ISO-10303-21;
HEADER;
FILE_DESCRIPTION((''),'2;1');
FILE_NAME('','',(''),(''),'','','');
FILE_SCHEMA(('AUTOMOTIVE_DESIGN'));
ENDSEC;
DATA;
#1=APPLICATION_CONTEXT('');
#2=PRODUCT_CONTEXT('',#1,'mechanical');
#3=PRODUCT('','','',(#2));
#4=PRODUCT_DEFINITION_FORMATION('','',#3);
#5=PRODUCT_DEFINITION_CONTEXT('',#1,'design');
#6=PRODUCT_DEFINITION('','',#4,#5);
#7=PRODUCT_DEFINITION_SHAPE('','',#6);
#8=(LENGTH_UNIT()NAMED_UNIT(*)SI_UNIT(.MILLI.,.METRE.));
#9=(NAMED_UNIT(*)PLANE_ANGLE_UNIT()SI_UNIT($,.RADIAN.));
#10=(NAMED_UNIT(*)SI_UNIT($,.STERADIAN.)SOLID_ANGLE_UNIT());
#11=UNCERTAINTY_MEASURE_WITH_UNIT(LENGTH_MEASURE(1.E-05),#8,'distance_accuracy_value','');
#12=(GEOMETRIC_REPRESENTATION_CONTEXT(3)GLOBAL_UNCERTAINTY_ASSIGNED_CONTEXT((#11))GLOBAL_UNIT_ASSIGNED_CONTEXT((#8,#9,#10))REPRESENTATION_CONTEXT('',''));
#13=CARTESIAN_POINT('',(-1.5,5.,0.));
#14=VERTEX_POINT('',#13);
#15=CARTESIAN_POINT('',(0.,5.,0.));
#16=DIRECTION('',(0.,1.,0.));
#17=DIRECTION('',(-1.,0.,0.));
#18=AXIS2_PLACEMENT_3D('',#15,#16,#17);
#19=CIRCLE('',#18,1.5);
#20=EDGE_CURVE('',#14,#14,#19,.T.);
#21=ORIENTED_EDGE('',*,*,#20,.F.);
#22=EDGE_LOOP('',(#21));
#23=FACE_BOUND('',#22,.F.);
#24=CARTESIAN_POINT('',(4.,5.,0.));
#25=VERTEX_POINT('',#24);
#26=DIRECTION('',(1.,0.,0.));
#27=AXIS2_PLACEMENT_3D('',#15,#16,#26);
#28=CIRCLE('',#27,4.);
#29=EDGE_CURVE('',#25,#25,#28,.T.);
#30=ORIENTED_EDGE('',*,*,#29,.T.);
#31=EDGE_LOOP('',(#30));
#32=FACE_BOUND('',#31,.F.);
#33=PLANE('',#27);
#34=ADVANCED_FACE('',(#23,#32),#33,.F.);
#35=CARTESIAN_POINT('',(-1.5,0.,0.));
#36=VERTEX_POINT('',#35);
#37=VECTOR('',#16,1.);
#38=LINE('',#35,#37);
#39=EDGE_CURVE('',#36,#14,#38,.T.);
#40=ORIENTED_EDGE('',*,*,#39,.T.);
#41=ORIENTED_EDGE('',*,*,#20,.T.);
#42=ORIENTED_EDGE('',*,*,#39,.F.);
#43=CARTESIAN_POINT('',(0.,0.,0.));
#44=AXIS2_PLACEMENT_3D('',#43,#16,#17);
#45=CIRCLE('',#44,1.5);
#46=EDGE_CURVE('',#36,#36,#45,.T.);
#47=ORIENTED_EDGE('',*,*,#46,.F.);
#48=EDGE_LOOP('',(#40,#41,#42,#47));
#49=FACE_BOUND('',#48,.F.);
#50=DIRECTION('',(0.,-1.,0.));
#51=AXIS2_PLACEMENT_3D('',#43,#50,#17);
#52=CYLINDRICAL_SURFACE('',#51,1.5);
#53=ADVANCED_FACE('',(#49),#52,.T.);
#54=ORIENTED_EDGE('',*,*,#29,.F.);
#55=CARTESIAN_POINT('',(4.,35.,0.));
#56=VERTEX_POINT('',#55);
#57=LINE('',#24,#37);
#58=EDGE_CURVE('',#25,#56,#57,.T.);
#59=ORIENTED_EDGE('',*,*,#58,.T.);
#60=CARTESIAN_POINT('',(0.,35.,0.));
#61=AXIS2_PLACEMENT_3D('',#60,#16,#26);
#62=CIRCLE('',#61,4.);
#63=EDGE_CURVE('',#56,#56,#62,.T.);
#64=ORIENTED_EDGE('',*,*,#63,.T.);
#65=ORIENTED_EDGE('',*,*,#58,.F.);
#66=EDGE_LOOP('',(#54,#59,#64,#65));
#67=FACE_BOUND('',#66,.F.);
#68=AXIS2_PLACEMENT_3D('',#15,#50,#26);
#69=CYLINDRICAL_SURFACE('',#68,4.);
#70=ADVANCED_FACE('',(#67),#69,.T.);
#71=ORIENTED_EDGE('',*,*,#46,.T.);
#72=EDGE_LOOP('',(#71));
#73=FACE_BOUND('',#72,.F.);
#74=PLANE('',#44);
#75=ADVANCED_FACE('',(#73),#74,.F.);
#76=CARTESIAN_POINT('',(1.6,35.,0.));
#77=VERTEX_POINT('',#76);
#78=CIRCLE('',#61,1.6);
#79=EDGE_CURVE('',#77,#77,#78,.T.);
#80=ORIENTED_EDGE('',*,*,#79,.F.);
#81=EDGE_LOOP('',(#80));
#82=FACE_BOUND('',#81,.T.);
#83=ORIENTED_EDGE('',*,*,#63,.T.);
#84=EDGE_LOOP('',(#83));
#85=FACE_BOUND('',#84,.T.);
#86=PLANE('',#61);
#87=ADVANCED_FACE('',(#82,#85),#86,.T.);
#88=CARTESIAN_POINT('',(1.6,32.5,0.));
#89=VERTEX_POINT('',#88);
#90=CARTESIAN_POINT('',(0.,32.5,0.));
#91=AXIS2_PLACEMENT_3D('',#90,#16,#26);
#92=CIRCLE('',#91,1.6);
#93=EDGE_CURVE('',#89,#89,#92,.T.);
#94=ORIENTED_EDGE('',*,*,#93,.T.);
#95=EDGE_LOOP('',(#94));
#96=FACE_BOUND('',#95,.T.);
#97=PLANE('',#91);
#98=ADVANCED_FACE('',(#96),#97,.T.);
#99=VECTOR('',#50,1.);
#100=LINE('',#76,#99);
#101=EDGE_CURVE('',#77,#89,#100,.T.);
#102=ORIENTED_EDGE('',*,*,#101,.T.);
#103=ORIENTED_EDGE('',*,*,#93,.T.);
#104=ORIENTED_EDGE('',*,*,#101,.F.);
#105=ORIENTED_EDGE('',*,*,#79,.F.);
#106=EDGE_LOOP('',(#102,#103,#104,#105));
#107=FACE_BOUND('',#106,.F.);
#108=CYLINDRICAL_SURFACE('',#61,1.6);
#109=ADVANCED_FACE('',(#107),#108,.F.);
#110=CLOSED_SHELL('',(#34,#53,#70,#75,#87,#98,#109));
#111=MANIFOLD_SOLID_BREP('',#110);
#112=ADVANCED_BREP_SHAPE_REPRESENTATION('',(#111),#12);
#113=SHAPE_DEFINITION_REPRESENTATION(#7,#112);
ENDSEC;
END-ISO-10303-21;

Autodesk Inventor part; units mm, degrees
ref_plane "YZ Plane" through (0, 0, 0) normal (1, 0, 0) x (0, 1, 0)
ref_plane "XZ Plane" through (0, 0, 0) normal (0, 1, 0) x (-1, 0, 0)
ref_plane "XY Plane" through (0, 0, 0) normal (0, 0, 1) x (1, 0, 0)
sketch "Sketch1" plane through (0, 0, 0) normal (0, 1, 0) x (-1, 0, 0)
  circle A0 centre (0, 0) radius 1.5
  dimension "d0" = 3
extrude "Extrusion1" add sketch "Sketch1" along normal blind 5
sketch "Sketch2" plane through (0, 5, 0) normal (0, 1, 0) x (1, 0, 0)
  circle A0 centre (0, 0) radius 4
  dimension "d3" = 8
extrude "Extrusion2" add sketch "Sketch2" along normal blind 30
sketch "Sketch3" plane through (0, 35, 0) normal (0, 1, 0) x (1, 0, 0)
  circle A0 centre (0, 0) radius 1.5 projected
  circle A1 centre (0, 0) radius 1.6
  dimension "d6" = 3.2
extrude "Extrusion3" cut sketch "Sketch3" against normal blind 2.5 contours A0 | A1
properties part number "ControlPanel_longStands"
